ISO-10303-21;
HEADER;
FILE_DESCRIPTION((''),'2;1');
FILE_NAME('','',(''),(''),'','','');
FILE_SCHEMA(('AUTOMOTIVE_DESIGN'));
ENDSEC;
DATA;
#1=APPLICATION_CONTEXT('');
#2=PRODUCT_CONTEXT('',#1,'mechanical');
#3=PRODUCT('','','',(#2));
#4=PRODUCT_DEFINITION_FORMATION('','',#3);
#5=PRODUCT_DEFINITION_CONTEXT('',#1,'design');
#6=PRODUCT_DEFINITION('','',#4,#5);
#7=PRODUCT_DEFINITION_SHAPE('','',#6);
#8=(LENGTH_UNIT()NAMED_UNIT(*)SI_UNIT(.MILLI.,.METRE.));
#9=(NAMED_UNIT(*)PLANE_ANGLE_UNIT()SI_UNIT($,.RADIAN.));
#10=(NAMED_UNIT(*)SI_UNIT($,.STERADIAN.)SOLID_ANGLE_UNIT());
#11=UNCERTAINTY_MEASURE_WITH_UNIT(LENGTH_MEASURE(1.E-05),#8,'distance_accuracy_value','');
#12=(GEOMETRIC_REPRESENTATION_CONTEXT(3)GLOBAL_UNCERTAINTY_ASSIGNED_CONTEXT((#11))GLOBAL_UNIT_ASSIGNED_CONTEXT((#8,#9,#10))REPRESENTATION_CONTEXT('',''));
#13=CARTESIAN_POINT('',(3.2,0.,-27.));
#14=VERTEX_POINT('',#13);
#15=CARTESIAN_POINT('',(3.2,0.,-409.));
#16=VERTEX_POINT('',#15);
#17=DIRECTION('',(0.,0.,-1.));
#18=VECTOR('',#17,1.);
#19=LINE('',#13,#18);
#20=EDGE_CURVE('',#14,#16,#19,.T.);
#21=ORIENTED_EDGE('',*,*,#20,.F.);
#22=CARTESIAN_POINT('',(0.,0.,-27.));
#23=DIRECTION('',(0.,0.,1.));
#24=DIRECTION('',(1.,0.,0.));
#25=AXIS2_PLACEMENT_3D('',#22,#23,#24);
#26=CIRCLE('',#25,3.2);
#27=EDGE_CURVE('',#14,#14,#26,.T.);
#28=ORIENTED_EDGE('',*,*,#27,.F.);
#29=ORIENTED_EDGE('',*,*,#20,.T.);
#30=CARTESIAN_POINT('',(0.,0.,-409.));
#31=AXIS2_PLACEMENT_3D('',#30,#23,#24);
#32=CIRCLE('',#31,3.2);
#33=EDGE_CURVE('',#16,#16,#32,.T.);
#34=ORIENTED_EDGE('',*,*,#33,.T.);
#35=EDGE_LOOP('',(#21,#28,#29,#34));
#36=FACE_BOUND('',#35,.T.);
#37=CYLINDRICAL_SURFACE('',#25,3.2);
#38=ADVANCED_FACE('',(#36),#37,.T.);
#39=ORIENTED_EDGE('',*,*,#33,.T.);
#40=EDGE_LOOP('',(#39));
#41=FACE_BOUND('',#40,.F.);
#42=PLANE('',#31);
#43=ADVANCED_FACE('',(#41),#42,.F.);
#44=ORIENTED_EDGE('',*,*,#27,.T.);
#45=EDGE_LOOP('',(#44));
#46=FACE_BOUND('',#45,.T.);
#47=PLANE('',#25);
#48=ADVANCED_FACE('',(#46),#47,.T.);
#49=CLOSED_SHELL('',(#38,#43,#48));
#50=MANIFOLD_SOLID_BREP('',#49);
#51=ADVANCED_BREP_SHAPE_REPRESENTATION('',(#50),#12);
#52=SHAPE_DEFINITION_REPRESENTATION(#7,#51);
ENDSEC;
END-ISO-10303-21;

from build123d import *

# Parameters (mm, degrees)
F1_R     = 3.2
F2_DEPTH = 382


with BuildPart() as f2:
    # F1 (on offset) → F2 (new body)
    with BuildSketch(Plane.XY.offset(-27)):
        Circle(F1_R)
    extrude(amount=-F2_DEPTH)


solid = f2.part
